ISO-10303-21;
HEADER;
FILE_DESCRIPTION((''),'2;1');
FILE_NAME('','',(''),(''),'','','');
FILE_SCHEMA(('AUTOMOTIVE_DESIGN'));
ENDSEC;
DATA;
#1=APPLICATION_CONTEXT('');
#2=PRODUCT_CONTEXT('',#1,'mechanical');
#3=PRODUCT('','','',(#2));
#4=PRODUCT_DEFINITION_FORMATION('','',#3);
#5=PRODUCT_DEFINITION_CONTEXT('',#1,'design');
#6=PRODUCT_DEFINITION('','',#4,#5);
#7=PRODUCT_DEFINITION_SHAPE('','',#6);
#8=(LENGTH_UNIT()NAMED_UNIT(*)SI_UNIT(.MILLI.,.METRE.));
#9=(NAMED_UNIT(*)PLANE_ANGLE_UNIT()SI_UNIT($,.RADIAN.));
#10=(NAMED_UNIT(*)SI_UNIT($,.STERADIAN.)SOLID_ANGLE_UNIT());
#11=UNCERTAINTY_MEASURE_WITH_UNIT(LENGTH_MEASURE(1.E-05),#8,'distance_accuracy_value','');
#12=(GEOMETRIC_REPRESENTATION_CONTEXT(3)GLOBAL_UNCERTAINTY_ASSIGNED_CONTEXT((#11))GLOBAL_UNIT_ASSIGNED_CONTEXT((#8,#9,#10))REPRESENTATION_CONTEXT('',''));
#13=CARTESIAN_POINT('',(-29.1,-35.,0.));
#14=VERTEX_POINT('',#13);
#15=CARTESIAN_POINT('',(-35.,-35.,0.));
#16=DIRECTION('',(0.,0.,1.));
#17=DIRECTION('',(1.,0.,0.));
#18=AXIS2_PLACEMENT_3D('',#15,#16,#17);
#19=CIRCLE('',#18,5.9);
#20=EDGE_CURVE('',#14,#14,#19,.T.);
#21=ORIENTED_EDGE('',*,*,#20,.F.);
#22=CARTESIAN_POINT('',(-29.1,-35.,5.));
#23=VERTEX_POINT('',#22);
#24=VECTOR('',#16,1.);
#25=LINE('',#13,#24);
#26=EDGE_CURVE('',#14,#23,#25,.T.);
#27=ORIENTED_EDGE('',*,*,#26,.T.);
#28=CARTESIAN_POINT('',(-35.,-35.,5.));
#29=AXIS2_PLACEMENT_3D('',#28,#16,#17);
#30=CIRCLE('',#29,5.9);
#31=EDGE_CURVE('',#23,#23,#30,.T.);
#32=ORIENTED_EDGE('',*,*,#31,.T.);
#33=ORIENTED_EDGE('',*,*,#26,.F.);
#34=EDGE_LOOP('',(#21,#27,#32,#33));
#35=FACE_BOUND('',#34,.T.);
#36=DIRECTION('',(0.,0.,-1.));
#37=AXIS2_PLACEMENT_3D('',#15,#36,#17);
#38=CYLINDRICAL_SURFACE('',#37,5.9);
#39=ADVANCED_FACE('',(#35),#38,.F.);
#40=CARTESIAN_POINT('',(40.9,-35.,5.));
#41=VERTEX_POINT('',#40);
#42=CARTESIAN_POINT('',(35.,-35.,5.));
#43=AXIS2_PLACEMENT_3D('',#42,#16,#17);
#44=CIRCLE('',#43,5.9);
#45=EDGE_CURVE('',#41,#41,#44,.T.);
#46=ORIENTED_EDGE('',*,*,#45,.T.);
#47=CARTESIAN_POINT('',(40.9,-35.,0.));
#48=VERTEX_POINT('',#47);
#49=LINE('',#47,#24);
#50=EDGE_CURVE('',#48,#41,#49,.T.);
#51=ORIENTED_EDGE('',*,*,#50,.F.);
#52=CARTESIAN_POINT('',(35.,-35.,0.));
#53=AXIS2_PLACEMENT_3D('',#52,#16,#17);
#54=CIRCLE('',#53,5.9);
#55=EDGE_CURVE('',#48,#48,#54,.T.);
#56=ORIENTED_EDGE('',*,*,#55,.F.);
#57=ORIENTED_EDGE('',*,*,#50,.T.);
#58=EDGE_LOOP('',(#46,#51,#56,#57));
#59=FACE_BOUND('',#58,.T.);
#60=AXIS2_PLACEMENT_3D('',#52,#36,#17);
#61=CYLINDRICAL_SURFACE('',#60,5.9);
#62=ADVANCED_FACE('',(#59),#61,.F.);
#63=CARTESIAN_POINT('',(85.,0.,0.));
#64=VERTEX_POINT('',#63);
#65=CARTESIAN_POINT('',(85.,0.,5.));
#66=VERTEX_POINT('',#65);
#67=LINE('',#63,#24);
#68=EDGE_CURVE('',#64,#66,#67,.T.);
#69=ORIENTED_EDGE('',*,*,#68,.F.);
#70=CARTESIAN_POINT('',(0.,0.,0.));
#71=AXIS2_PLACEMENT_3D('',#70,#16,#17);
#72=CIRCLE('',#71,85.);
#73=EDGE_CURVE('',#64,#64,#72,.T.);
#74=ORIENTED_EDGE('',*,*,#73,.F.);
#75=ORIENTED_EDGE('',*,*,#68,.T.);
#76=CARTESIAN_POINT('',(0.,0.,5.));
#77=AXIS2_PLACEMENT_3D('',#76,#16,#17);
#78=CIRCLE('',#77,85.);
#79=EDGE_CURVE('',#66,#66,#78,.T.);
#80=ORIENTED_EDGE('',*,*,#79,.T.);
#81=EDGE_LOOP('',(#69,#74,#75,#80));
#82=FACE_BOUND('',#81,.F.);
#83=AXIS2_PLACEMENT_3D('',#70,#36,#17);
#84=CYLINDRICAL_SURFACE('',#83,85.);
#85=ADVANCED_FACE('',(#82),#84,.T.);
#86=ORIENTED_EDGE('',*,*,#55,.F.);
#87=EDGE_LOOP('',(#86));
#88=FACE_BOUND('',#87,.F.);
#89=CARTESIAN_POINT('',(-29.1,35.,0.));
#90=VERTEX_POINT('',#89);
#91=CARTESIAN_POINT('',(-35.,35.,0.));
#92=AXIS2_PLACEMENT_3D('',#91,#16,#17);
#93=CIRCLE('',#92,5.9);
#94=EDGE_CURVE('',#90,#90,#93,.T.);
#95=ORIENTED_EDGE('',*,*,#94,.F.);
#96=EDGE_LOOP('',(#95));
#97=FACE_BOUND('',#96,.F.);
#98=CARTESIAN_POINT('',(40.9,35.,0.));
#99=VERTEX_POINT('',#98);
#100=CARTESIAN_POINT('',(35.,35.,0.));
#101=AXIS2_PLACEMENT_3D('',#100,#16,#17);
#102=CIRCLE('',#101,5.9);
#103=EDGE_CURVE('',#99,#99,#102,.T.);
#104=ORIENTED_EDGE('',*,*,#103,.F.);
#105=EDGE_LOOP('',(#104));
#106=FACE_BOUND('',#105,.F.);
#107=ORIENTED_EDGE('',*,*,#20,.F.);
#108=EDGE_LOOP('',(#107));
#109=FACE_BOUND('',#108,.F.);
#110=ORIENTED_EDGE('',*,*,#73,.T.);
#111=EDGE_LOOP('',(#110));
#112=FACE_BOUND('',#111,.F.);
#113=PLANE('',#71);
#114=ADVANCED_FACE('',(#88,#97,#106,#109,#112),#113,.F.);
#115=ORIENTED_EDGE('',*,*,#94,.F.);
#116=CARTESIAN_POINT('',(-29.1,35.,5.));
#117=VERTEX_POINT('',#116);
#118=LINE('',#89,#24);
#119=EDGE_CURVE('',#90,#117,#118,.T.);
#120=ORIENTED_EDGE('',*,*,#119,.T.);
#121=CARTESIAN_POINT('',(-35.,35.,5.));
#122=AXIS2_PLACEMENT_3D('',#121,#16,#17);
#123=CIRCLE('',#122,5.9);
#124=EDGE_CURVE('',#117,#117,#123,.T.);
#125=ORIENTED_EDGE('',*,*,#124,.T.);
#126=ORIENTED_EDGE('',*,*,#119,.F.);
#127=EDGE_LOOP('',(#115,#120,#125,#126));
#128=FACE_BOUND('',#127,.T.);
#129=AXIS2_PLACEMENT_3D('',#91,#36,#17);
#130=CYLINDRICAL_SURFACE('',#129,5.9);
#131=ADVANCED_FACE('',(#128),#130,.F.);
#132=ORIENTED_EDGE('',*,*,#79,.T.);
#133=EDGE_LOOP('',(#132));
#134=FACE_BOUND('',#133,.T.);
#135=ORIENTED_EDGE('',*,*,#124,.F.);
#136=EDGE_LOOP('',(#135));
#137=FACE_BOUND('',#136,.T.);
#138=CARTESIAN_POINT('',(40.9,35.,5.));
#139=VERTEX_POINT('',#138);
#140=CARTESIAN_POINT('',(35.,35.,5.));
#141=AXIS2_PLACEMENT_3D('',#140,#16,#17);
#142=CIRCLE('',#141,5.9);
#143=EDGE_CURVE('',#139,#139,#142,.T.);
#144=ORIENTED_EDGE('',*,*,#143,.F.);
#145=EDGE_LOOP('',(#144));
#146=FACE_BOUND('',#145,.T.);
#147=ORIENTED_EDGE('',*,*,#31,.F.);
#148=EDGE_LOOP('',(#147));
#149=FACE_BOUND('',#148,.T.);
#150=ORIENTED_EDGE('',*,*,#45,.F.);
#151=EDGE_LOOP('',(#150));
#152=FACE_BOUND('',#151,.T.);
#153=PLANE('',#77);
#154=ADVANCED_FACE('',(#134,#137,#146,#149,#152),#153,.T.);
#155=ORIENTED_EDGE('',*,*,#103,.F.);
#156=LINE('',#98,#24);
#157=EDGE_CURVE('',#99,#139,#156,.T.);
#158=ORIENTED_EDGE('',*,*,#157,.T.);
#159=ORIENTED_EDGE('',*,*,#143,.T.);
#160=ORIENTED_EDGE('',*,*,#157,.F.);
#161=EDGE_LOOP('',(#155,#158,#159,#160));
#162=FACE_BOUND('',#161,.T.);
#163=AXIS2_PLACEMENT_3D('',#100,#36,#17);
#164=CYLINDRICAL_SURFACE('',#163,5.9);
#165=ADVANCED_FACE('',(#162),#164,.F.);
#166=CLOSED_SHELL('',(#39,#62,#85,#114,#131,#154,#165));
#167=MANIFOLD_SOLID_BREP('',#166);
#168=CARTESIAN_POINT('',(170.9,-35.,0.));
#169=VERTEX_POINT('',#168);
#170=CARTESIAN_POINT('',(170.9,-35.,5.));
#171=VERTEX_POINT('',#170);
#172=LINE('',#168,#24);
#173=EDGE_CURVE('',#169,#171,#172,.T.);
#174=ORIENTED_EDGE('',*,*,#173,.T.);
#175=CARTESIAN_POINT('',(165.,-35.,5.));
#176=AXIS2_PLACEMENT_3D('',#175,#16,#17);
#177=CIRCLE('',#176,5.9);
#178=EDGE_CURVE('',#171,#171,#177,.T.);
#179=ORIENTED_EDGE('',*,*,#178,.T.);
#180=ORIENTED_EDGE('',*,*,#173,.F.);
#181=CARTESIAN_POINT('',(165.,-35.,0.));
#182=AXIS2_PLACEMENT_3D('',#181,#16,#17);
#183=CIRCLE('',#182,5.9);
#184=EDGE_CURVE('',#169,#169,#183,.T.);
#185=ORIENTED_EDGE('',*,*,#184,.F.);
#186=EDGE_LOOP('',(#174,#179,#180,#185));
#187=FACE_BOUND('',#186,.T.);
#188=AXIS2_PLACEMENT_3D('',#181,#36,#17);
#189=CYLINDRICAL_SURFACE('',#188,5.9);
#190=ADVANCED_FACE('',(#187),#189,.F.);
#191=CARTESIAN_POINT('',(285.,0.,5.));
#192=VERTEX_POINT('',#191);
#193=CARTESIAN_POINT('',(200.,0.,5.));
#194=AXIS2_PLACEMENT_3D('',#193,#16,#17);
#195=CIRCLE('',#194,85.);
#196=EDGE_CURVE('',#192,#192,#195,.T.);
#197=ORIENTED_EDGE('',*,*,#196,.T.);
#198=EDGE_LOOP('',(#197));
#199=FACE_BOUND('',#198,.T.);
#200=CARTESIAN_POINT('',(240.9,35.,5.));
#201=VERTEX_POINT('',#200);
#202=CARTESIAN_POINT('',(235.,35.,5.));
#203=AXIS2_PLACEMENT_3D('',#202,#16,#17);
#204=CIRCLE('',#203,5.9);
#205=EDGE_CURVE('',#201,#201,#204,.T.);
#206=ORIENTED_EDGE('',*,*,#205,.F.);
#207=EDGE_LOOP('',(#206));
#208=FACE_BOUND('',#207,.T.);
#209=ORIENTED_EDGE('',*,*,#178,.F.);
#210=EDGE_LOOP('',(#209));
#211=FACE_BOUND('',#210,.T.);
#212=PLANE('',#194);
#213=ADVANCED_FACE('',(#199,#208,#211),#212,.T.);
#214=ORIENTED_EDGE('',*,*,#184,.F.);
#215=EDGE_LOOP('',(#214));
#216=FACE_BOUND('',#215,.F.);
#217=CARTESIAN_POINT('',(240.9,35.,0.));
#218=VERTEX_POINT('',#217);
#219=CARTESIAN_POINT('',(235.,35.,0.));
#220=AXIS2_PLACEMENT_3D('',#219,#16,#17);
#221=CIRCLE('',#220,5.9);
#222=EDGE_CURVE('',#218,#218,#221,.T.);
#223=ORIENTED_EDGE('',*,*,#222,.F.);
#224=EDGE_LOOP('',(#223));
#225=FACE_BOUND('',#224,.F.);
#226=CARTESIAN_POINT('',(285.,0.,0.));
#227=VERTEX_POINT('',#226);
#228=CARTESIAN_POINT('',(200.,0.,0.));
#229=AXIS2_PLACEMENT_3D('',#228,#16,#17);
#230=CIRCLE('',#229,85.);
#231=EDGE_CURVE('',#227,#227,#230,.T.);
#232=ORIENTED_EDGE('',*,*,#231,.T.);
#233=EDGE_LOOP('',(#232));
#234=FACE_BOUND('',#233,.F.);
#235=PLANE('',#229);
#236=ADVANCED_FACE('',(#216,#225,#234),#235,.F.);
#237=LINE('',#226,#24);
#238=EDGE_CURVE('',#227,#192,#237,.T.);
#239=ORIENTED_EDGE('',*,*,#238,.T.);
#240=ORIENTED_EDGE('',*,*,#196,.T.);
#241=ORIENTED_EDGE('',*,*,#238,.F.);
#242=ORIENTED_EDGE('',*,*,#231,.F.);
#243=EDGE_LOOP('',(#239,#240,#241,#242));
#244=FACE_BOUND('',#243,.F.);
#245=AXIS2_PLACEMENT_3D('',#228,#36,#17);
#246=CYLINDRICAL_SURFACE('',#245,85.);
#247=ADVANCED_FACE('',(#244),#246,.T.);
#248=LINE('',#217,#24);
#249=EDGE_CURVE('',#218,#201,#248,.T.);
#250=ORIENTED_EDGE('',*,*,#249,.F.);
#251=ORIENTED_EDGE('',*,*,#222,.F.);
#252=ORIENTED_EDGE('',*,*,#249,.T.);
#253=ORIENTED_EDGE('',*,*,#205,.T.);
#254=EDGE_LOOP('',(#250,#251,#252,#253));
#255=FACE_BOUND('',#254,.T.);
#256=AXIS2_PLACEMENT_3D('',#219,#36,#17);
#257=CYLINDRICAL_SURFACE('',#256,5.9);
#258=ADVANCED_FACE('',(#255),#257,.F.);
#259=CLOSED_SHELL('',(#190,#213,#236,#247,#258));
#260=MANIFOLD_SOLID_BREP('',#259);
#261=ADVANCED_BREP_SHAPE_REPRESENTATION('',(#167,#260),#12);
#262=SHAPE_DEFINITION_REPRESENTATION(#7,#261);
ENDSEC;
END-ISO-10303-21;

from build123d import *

# Parameters (mm, degrees)
F0_R     = 85
F0_R_2   = 5.9
F1_DEPTH = 5


with BuildPart() as f1:
    # F0 (on Top) → F1 (new body)
    with BuildSketch(Plane.XY):
        Circle(F0_R)
        with Locations((-35, -35)):
            Circle(F0_R_2, mode=Mode.SUBTRACT)
        with Locations((35, -35)):
            Circle(F0_R_2, mode=Mode.SUBTRACT)
        with Locations((-35, 35)):
            Circle(F0_R_2, mode=Mode.SUBTRACT)
        with Locations((35, 35)):
            Circle(F0_R_2, mode=Mode.SUBTRACT)
        with Locations((200, 0)):
            Circle(F0_R)
        with Locations((165, -35)):
            Circle(F0_R_2, mode=Mode.SUBTRACT)
        with Locations((235, 35)):
            Circle(F0_R_2, mode=Mode.SUBTRACT)
    extrude(amount=F1_DEPTH)


solid = f1.part
